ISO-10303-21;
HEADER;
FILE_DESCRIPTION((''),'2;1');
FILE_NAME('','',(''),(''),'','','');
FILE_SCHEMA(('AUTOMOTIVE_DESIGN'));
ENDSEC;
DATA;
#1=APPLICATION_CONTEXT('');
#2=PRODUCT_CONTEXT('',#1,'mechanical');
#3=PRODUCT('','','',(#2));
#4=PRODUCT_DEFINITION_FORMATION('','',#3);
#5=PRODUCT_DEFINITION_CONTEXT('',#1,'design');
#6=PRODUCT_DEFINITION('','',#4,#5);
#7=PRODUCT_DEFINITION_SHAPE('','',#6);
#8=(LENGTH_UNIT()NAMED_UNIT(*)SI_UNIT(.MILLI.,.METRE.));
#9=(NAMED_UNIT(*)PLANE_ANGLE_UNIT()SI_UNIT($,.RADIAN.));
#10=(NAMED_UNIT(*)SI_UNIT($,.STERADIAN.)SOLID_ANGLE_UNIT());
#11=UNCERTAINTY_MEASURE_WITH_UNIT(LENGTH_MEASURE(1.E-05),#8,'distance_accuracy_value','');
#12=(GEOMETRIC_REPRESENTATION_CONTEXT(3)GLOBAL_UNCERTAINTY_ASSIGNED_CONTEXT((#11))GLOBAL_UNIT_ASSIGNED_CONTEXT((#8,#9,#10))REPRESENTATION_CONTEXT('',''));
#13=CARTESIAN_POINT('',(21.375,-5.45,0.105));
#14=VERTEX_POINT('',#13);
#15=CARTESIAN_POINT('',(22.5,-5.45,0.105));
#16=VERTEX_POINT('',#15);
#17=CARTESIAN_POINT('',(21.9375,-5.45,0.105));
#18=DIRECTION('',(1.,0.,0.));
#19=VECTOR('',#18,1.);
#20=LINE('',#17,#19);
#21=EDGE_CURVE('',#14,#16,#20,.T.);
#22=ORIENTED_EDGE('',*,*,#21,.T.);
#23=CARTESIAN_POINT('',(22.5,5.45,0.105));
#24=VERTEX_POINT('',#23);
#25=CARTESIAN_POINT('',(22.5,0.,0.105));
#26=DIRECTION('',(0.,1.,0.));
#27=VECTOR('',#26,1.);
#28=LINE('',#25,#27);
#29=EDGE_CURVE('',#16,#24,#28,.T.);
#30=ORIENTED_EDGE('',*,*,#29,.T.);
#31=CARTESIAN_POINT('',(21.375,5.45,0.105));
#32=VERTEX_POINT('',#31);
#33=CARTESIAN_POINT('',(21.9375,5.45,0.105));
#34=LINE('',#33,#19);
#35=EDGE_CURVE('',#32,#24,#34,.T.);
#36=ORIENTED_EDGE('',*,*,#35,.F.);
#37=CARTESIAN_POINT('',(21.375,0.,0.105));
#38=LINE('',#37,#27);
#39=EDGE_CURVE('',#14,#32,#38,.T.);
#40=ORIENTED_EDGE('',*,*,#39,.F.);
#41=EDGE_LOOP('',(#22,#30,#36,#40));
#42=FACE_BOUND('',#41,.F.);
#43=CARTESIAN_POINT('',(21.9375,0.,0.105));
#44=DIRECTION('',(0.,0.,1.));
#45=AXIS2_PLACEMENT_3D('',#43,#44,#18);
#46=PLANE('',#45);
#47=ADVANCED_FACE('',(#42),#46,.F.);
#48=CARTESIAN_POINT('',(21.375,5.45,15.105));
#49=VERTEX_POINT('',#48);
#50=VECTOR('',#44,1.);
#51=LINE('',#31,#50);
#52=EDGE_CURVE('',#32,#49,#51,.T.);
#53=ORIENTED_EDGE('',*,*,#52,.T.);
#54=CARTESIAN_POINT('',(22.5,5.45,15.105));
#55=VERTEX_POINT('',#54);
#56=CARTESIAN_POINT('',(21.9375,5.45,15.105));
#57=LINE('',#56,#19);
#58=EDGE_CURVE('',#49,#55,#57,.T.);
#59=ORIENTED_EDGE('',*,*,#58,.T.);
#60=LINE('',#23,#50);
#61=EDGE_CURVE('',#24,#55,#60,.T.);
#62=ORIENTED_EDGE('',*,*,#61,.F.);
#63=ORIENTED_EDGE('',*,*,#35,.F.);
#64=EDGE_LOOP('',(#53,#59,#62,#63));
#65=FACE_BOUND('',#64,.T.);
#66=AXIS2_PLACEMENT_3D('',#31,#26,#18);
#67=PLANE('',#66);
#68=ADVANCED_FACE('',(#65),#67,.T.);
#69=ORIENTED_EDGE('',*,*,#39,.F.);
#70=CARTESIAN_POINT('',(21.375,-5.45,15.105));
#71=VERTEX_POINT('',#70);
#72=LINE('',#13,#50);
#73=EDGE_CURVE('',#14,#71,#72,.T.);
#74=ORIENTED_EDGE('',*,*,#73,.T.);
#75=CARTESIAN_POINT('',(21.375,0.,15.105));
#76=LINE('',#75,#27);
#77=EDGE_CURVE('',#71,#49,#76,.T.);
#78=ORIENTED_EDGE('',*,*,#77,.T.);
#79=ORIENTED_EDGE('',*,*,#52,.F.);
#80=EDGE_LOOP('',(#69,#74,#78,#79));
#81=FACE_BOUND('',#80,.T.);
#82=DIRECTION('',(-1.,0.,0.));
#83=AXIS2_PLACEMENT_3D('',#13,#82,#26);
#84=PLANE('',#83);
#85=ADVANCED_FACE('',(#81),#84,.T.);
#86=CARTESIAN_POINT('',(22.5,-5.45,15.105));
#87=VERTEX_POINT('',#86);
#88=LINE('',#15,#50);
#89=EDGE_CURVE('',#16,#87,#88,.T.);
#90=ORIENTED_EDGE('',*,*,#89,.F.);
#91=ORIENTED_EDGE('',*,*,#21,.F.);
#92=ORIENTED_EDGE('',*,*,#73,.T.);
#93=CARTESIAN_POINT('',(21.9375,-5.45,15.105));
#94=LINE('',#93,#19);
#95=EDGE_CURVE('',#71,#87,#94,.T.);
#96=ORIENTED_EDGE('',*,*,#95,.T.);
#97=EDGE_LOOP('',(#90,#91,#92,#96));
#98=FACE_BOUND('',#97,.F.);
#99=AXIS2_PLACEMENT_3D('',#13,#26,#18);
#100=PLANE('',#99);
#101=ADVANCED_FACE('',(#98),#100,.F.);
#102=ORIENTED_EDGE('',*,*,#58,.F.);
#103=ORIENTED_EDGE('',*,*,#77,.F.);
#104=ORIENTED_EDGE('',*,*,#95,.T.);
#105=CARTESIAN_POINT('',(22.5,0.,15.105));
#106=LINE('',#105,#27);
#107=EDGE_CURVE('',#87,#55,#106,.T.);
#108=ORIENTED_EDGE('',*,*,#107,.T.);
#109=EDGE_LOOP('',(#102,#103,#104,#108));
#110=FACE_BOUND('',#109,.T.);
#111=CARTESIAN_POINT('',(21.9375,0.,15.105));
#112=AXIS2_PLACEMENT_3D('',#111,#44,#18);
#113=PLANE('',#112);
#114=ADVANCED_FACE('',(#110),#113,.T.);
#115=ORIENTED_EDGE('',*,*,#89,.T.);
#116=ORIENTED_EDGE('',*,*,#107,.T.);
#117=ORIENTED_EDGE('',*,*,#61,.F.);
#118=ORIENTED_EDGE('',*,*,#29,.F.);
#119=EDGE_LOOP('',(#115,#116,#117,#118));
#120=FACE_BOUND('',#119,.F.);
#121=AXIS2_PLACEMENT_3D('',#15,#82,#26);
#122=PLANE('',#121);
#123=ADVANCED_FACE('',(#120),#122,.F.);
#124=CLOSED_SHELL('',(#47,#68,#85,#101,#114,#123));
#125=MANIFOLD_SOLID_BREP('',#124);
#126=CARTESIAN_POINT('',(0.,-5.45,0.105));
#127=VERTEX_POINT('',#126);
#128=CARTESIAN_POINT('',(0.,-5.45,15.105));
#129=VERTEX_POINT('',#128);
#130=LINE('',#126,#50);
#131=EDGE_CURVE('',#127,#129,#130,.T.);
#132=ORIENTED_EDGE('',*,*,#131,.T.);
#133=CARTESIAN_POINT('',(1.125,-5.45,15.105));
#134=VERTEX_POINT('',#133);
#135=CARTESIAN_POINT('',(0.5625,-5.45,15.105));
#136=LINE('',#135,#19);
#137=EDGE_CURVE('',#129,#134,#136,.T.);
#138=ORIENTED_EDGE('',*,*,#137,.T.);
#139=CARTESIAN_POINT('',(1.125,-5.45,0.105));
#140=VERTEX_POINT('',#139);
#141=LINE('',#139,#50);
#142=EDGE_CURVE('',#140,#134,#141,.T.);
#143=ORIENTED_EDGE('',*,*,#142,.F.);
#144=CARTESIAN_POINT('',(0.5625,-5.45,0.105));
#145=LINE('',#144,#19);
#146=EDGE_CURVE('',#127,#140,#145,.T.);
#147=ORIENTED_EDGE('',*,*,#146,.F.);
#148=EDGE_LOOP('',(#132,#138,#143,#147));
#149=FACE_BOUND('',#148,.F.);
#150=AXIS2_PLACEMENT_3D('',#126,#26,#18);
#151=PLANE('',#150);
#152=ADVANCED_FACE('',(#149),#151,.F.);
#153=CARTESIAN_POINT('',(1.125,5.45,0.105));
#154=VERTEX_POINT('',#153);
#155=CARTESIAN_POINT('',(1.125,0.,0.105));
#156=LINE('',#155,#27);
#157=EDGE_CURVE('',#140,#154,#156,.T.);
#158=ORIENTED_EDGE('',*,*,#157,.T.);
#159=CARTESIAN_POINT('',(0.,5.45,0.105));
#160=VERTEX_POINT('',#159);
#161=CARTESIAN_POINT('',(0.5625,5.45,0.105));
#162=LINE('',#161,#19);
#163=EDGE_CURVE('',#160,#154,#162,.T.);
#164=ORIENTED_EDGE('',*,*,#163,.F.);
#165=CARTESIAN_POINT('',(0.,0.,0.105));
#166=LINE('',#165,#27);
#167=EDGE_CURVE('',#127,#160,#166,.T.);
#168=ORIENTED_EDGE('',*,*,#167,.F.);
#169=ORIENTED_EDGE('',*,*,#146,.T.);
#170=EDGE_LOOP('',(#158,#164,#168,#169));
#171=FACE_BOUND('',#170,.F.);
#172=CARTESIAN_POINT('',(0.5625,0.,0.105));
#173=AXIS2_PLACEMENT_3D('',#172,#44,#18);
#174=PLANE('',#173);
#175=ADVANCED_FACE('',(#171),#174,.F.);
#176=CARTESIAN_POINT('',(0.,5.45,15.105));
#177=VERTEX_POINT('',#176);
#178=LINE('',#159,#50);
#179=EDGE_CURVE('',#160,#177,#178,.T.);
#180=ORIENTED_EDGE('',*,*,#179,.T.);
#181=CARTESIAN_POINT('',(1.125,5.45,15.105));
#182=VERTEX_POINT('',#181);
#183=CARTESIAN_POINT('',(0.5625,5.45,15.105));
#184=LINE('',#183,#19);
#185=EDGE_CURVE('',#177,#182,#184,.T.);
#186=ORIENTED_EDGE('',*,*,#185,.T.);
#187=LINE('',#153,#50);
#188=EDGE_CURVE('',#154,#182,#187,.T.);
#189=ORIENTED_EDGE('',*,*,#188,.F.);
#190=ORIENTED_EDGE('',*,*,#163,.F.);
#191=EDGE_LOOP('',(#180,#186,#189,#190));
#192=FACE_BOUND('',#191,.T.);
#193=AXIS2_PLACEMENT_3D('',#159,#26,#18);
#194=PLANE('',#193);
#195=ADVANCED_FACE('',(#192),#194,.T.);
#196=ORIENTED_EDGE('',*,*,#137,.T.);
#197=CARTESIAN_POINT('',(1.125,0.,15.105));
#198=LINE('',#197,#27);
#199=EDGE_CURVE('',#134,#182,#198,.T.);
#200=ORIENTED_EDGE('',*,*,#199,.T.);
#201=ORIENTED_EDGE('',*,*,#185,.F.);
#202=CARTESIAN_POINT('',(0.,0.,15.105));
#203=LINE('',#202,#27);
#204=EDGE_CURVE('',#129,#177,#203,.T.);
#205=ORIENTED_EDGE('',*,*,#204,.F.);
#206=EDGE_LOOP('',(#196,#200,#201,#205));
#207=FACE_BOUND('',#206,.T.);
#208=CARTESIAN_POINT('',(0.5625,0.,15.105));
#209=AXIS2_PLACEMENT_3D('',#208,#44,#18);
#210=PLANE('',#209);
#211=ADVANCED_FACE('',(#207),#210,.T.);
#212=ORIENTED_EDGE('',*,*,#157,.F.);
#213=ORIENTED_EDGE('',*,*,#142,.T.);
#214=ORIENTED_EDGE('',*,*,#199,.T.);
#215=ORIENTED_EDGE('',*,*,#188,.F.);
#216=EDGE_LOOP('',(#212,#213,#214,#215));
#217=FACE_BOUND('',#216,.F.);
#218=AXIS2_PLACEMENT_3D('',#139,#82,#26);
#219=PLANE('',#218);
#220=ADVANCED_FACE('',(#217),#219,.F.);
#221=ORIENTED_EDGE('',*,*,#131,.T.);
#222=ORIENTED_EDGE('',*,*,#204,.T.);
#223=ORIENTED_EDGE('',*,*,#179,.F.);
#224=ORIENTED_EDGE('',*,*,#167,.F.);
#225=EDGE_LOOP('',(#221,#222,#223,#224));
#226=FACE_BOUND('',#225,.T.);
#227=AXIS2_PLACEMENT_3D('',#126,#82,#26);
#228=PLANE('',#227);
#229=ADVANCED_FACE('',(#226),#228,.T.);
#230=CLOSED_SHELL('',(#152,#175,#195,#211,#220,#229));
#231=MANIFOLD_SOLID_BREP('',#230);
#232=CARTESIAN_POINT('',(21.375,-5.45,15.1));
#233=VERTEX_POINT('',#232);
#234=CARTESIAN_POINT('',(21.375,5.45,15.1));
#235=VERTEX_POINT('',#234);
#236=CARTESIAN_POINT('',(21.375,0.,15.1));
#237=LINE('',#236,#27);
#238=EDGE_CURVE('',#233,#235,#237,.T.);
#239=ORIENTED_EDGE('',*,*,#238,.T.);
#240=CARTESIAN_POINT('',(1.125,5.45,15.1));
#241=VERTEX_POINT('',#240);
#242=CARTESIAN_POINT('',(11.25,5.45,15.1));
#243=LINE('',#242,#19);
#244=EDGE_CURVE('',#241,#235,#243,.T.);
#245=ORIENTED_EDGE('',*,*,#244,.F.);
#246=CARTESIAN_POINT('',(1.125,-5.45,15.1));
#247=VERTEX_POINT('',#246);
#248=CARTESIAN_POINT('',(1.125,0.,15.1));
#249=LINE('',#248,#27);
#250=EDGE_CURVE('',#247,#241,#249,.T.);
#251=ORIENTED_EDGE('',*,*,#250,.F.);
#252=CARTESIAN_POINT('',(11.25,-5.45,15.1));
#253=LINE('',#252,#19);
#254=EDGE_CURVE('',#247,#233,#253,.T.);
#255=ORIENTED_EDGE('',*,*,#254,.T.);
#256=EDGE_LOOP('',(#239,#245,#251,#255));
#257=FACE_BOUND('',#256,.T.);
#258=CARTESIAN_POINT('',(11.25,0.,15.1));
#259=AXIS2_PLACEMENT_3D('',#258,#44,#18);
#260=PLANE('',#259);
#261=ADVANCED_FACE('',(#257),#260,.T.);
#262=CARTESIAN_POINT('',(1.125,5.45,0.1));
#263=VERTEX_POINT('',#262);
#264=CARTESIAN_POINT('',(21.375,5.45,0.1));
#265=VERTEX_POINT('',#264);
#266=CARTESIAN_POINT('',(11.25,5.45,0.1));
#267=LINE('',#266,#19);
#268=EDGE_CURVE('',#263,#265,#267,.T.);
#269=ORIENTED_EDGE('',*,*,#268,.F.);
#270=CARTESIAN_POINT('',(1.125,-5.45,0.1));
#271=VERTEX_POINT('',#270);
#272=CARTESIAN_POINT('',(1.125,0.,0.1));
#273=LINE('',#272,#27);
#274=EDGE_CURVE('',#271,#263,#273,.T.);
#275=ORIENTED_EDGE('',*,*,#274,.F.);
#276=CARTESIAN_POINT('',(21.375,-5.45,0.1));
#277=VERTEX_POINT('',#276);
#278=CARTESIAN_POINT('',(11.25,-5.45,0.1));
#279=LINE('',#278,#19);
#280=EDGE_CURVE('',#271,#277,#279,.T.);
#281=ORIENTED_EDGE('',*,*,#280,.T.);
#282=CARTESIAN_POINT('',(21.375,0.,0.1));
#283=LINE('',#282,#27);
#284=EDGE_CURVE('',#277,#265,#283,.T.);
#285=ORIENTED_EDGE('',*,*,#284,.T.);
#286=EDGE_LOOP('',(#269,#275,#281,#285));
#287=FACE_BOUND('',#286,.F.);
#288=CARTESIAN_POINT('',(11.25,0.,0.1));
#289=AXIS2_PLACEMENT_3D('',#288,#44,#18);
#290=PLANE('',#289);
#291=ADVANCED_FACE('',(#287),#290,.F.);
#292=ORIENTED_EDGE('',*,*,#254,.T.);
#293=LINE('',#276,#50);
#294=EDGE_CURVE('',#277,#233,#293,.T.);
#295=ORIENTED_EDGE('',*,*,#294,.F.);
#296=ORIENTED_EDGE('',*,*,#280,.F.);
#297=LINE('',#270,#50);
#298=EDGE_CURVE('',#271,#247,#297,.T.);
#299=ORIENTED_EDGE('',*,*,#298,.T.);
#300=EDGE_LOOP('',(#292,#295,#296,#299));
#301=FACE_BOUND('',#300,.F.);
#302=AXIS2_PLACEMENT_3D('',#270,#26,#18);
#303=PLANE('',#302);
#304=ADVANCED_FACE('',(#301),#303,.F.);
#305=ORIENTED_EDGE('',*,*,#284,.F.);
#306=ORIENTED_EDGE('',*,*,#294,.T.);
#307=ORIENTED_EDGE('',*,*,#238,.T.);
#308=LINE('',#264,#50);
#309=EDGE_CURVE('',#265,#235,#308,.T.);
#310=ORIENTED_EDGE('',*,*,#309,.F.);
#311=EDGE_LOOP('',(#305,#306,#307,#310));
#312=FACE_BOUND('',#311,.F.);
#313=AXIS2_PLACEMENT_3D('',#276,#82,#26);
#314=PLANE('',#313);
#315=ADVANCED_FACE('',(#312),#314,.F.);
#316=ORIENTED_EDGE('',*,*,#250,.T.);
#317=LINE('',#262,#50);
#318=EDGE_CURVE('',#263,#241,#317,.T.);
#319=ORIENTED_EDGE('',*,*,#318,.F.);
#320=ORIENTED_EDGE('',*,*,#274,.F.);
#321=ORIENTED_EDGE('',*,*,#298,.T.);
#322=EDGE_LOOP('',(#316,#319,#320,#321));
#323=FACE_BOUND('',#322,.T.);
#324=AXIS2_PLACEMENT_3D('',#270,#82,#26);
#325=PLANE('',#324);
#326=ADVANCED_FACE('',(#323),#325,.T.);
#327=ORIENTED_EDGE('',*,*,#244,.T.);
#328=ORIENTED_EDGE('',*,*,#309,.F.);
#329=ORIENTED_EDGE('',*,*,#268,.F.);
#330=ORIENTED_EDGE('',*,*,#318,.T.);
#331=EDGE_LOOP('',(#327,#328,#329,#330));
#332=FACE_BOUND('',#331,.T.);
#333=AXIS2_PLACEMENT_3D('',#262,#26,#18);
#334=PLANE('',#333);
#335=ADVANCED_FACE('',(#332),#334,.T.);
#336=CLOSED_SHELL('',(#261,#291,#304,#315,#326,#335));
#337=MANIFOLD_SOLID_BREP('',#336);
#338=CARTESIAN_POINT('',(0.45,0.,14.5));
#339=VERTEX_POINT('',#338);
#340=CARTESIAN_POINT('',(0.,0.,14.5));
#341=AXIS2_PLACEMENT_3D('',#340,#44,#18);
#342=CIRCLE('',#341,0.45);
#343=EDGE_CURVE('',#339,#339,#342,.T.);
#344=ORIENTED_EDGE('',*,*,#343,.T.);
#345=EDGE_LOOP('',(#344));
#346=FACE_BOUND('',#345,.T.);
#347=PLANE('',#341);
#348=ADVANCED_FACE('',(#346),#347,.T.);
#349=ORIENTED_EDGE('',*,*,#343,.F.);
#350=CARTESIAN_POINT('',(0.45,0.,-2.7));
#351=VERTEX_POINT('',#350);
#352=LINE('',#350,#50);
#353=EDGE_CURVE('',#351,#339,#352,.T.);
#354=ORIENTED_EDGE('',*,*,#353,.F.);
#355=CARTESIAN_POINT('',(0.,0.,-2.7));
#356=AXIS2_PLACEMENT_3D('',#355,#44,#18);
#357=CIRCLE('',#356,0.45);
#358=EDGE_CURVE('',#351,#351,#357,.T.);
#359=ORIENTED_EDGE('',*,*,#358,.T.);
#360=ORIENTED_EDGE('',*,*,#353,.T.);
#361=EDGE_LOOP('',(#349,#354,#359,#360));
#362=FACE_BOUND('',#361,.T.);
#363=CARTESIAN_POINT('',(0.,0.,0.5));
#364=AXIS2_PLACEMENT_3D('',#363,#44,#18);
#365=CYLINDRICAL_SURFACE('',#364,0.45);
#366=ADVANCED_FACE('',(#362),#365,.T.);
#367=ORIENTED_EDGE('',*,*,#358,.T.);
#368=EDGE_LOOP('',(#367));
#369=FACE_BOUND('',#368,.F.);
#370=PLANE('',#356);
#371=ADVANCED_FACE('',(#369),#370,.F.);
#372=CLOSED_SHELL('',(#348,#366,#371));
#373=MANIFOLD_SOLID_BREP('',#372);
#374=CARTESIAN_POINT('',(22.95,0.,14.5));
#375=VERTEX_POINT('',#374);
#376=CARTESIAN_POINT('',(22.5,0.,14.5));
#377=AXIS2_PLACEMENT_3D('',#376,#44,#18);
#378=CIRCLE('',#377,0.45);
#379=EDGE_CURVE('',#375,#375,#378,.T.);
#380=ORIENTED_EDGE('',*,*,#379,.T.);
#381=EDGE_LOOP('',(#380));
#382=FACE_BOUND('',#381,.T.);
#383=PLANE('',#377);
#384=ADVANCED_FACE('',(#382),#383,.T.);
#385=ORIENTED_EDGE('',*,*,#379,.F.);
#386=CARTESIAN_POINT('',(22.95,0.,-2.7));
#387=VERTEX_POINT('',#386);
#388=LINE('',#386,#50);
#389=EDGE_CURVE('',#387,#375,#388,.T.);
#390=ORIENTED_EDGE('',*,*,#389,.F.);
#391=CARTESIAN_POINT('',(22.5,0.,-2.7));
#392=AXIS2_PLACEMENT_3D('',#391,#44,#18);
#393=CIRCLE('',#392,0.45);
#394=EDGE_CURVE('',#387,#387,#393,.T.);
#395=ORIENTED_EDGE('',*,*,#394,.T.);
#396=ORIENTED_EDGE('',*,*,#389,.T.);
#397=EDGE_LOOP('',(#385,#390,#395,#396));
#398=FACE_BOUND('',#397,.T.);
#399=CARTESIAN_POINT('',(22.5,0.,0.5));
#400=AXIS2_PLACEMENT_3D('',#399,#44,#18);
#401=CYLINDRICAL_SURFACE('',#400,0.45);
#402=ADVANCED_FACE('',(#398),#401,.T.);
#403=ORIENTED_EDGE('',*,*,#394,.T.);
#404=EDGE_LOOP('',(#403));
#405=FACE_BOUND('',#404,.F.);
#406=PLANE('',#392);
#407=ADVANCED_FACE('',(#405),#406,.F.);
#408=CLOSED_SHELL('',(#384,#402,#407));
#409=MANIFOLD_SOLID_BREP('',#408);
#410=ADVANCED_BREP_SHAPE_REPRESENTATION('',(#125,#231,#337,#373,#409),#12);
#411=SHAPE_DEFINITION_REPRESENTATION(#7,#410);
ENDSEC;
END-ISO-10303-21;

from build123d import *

# Parameters (mm, degrees)
SKETCH_W          = 20.25
SKETCH_H          = 10.9
PAD_DEPTH         = 15
SKETCH001_R       = 0.45
PAD001_DEPTH      = 14
PAD001_DEPTH_BACK = 3.2
SKETCH002_W       = 1.125
SKETCH002_H       = 10.9
PAD002_DEPTH      = 15


with BuildPart() as pad:
    # Sketch → Pad (new body)
    with BuildSketch(Plane.XY.offset(0.1)):
        with Locations((11.25, 0)):
            Rectangle(SKETCH_W, SKETCH_H)
    extrude(amount=PAD_DEPTH)


with BuildPart() as pad001:
    # Sketch001 → Pad001 (new body, two sides)
    with BuildSketch(Plane.XY.offset(0.5)) as pad001_sk:
        Circle(SKETCH001_R)
        with Locations((22.5, 0)):
            Circle(SKETCH001_R)
    extrude(amount=PAD001_DEPTH)
    extrude(pad001_sk.sketch, amount=-PAD001_DEPTH_BACK)


with BuildPart() as pad002:
    # Sketch002 → Pad002 (new body)
    with BuildSketch(Plane.XY.offset(0.105)):
        with Locations((0.5625, 0)):
            Rectangle(SKETCH002_W, SKETCH002_H)
        with Locations((21.9375, 0)):
            Rectangle(SKETCH002_W, SKETCH002_H)
    extrude(amount=PAD002_DEPTH)


solid = Compound([pad.part, pad001.part, pad002.part])
